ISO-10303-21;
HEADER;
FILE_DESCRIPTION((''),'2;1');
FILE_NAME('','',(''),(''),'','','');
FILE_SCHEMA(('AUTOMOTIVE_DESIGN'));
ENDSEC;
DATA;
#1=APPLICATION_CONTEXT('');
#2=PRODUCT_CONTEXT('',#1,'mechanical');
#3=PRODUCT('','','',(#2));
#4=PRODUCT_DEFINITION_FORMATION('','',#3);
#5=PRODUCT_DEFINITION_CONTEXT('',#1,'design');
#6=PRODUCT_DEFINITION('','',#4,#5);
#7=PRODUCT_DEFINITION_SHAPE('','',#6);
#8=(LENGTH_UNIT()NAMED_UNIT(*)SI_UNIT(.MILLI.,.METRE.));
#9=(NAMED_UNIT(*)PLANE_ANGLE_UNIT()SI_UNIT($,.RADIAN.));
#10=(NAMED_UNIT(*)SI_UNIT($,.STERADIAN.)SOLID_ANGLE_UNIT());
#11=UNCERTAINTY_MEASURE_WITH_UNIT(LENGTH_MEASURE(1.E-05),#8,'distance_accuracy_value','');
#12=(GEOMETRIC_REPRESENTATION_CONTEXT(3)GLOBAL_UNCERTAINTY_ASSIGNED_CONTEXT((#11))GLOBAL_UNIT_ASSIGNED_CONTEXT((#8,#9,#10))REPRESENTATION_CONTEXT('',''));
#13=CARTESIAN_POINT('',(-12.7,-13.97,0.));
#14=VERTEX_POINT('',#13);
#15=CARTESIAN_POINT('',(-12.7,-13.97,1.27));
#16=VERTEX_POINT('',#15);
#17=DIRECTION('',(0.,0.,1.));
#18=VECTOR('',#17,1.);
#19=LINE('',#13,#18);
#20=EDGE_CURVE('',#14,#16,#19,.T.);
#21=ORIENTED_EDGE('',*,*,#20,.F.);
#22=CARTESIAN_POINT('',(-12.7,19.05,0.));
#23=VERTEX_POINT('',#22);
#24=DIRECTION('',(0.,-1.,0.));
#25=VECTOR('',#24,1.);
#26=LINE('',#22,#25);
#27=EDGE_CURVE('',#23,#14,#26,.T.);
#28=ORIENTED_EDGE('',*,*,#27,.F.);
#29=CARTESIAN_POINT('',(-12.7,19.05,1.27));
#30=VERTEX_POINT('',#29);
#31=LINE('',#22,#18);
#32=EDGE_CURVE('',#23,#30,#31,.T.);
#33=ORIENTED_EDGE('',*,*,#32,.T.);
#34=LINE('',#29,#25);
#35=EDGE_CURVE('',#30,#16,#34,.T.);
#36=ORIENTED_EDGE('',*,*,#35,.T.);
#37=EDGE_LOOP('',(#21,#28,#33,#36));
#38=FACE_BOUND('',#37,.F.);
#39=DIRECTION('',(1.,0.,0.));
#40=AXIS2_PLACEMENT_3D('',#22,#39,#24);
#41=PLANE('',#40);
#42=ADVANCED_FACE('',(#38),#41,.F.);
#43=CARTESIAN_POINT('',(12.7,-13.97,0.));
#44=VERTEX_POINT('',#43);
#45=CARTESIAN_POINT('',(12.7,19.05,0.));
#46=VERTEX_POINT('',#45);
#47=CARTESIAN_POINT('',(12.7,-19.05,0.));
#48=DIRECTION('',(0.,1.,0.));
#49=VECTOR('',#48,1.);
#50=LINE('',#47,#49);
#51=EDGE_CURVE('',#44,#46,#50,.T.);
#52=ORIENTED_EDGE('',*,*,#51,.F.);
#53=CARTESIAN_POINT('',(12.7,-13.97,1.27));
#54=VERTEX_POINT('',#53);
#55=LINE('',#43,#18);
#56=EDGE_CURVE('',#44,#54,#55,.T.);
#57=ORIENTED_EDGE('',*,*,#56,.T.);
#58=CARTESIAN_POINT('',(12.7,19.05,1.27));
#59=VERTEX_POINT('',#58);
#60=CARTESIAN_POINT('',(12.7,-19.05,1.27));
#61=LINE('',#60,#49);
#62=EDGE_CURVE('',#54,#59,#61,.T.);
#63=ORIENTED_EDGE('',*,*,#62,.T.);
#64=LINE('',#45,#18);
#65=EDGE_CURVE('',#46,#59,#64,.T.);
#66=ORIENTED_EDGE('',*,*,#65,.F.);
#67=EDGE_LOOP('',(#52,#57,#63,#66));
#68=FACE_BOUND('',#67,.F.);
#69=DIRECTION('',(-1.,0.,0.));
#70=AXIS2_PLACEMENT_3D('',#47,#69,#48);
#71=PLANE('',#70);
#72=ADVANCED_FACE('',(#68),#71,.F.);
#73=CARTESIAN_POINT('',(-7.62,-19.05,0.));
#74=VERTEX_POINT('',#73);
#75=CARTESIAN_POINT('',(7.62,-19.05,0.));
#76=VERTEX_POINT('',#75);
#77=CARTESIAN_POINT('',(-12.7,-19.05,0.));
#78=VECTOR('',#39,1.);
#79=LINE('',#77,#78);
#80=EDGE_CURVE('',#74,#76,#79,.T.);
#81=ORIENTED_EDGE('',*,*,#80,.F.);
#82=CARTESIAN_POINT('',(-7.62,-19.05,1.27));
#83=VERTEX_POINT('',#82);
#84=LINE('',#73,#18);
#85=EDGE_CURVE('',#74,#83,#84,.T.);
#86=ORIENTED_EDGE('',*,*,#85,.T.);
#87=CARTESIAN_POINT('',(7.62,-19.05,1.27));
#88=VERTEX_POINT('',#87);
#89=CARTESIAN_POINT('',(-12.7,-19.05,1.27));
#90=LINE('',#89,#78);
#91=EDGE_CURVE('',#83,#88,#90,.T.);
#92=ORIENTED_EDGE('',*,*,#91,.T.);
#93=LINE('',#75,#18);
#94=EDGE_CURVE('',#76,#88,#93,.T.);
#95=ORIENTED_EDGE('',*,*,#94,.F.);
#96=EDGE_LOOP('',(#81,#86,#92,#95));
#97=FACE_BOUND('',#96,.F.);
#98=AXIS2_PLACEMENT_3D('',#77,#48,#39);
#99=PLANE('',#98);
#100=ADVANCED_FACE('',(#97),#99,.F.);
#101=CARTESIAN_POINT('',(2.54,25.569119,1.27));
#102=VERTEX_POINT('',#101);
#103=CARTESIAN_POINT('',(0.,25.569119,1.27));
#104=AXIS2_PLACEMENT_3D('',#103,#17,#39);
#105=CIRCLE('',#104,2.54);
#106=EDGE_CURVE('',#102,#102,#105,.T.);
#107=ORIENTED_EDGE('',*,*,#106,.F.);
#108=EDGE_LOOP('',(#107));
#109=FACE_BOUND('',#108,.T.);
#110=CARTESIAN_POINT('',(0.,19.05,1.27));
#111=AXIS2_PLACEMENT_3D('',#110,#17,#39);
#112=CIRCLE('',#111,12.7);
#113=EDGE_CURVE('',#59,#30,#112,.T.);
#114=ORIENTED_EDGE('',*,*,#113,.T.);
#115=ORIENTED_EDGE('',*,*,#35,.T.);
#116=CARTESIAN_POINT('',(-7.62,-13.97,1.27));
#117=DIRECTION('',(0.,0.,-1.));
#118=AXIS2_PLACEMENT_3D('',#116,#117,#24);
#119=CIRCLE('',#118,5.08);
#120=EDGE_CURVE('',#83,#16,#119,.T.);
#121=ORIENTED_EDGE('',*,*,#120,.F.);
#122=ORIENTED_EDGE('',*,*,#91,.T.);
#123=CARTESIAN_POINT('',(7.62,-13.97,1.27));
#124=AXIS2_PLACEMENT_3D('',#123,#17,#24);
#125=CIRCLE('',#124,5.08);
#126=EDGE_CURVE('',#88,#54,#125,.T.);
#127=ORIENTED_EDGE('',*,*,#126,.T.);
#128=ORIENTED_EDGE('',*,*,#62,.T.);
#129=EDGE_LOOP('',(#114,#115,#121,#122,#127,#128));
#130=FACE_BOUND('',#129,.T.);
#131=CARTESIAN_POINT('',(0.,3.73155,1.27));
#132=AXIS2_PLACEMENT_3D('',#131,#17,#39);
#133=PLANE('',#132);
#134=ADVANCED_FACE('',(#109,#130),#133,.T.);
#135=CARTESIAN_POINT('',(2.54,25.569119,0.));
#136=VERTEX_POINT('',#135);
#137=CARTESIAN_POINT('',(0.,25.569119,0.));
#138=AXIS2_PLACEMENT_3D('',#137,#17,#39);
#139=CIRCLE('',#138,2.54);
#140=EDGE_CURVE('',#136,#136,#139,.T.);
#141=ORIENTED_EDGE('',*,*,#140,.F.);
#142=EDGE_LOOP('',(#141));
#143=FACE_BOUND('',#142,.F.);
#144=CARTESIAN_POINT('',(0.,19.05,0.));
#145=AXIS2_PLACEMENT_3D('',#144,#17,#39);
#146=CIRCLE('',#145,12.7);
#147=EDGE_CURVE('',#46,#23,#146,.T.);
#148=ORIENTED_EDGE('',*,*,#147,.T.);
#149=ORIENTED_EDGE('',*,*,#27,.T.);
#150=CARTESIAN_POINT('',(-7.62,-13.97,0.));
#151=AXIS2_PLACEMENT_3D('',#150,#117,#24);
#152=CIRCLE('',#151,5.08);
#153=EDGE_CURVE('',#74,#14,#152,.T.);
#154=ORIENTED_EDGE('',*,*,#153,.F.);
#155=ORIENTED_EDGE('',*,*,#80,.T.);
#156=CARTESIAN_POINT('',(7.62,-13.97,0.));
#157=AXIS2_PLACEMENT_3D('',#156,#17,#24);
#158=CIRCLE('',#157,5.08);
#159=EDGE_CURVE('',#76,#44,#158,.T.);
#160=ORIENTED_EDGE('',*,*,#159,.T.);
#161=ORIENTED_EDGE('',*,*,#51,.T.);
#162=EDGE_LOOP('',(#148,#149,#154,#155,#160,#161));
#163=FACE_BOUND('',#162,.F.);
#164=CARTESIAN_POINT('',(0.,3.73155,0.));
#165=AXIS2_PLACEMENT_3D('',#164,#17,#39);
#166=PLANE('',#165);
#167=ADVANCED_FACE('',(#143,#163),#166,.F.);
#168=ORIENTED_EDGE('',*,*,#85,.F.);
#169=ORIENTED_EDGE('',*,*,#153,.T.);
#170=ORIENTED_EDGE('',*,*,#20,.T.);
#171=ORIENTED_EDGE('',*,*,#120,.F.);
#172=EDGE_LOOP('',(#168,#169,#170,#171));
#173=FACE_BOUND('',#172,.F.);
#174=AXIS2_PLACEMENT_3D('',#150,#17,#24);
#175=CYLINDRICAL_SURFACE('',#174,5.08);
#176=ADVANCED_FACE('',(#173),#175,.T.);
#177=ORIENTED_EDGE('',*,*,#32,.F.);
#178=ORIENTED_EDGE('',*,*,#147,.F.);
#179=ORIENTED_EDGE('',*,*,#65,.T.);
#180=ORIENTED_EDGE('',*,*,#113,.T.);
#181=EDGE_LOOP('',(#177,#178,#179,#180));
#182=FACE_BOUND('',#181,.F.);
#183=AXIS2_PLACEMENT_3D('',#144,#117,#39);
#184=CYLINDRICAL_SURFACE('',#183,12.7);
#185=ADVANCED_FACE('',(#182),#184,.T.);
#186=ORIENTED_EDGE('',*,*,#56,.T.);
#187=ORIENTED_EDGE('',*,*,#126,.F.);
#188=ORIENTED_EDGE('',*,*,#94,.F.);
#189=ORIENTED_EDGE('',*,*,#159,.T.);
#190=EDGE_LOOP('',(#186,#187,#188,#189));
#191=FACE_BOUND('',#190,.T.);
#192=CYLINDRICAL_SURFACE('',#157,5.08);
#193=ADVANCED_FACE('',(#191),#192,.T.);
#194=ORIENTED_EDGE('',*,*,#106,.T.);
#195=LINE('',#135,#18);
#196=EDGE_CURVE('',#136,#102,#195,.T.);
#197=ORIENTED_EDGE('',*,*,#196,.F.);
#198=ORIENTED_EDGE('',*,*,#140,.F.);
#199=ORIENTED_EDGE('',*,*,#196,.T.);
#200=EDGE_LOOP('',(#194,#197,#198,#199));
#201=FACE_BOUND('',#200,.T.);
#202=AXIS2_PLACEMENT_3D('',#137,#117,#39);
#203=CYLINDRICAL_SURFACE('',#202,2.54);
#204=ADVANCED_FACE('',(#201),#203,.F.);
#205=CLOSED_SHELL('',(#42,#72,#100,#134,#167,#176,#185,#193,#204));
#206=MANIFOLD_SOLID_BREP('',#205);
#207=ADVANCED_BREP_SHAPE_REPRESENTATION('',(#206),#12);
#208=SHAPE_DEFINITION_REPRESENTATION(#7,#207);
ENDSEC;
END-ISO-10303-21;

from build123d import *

# Parameters (mm, degrees)
F0_R     = 2.54
F1_DEPTH = 1.27
F2_R     = 5.08


with BuildPart() as f1:
    # F0 (on Top) → F1 (new body)
    with BuildSketch(Plane.XY):
        with BuildLine():
            Line((-12.7, -19.05), (12.7, -19.05))
            Line((12.7, -19.05), (12.7, 19.05))
            ThreePointArc((12.7, 19.05), (0, 31.75), (-12.7, 19.05))
            Line((-12.7, 19.05), (-12.7, -19.05))
        make_face()
        with Locations((0, 25.569119)):
            Circle(F0_R, mode=Mode.SUBTRACT)
    extrude(amount=F1_DEPTH)

    # F2
    f2_edges = [f1.edges().sort_by_distance(p)[0] for p in [
        (-12.7, -19.05, 0.635),
        (12.7, -19.05, 0.635),
    ]]
    fillet(f2_edges, radius=F2_R)


solid = f1.part
